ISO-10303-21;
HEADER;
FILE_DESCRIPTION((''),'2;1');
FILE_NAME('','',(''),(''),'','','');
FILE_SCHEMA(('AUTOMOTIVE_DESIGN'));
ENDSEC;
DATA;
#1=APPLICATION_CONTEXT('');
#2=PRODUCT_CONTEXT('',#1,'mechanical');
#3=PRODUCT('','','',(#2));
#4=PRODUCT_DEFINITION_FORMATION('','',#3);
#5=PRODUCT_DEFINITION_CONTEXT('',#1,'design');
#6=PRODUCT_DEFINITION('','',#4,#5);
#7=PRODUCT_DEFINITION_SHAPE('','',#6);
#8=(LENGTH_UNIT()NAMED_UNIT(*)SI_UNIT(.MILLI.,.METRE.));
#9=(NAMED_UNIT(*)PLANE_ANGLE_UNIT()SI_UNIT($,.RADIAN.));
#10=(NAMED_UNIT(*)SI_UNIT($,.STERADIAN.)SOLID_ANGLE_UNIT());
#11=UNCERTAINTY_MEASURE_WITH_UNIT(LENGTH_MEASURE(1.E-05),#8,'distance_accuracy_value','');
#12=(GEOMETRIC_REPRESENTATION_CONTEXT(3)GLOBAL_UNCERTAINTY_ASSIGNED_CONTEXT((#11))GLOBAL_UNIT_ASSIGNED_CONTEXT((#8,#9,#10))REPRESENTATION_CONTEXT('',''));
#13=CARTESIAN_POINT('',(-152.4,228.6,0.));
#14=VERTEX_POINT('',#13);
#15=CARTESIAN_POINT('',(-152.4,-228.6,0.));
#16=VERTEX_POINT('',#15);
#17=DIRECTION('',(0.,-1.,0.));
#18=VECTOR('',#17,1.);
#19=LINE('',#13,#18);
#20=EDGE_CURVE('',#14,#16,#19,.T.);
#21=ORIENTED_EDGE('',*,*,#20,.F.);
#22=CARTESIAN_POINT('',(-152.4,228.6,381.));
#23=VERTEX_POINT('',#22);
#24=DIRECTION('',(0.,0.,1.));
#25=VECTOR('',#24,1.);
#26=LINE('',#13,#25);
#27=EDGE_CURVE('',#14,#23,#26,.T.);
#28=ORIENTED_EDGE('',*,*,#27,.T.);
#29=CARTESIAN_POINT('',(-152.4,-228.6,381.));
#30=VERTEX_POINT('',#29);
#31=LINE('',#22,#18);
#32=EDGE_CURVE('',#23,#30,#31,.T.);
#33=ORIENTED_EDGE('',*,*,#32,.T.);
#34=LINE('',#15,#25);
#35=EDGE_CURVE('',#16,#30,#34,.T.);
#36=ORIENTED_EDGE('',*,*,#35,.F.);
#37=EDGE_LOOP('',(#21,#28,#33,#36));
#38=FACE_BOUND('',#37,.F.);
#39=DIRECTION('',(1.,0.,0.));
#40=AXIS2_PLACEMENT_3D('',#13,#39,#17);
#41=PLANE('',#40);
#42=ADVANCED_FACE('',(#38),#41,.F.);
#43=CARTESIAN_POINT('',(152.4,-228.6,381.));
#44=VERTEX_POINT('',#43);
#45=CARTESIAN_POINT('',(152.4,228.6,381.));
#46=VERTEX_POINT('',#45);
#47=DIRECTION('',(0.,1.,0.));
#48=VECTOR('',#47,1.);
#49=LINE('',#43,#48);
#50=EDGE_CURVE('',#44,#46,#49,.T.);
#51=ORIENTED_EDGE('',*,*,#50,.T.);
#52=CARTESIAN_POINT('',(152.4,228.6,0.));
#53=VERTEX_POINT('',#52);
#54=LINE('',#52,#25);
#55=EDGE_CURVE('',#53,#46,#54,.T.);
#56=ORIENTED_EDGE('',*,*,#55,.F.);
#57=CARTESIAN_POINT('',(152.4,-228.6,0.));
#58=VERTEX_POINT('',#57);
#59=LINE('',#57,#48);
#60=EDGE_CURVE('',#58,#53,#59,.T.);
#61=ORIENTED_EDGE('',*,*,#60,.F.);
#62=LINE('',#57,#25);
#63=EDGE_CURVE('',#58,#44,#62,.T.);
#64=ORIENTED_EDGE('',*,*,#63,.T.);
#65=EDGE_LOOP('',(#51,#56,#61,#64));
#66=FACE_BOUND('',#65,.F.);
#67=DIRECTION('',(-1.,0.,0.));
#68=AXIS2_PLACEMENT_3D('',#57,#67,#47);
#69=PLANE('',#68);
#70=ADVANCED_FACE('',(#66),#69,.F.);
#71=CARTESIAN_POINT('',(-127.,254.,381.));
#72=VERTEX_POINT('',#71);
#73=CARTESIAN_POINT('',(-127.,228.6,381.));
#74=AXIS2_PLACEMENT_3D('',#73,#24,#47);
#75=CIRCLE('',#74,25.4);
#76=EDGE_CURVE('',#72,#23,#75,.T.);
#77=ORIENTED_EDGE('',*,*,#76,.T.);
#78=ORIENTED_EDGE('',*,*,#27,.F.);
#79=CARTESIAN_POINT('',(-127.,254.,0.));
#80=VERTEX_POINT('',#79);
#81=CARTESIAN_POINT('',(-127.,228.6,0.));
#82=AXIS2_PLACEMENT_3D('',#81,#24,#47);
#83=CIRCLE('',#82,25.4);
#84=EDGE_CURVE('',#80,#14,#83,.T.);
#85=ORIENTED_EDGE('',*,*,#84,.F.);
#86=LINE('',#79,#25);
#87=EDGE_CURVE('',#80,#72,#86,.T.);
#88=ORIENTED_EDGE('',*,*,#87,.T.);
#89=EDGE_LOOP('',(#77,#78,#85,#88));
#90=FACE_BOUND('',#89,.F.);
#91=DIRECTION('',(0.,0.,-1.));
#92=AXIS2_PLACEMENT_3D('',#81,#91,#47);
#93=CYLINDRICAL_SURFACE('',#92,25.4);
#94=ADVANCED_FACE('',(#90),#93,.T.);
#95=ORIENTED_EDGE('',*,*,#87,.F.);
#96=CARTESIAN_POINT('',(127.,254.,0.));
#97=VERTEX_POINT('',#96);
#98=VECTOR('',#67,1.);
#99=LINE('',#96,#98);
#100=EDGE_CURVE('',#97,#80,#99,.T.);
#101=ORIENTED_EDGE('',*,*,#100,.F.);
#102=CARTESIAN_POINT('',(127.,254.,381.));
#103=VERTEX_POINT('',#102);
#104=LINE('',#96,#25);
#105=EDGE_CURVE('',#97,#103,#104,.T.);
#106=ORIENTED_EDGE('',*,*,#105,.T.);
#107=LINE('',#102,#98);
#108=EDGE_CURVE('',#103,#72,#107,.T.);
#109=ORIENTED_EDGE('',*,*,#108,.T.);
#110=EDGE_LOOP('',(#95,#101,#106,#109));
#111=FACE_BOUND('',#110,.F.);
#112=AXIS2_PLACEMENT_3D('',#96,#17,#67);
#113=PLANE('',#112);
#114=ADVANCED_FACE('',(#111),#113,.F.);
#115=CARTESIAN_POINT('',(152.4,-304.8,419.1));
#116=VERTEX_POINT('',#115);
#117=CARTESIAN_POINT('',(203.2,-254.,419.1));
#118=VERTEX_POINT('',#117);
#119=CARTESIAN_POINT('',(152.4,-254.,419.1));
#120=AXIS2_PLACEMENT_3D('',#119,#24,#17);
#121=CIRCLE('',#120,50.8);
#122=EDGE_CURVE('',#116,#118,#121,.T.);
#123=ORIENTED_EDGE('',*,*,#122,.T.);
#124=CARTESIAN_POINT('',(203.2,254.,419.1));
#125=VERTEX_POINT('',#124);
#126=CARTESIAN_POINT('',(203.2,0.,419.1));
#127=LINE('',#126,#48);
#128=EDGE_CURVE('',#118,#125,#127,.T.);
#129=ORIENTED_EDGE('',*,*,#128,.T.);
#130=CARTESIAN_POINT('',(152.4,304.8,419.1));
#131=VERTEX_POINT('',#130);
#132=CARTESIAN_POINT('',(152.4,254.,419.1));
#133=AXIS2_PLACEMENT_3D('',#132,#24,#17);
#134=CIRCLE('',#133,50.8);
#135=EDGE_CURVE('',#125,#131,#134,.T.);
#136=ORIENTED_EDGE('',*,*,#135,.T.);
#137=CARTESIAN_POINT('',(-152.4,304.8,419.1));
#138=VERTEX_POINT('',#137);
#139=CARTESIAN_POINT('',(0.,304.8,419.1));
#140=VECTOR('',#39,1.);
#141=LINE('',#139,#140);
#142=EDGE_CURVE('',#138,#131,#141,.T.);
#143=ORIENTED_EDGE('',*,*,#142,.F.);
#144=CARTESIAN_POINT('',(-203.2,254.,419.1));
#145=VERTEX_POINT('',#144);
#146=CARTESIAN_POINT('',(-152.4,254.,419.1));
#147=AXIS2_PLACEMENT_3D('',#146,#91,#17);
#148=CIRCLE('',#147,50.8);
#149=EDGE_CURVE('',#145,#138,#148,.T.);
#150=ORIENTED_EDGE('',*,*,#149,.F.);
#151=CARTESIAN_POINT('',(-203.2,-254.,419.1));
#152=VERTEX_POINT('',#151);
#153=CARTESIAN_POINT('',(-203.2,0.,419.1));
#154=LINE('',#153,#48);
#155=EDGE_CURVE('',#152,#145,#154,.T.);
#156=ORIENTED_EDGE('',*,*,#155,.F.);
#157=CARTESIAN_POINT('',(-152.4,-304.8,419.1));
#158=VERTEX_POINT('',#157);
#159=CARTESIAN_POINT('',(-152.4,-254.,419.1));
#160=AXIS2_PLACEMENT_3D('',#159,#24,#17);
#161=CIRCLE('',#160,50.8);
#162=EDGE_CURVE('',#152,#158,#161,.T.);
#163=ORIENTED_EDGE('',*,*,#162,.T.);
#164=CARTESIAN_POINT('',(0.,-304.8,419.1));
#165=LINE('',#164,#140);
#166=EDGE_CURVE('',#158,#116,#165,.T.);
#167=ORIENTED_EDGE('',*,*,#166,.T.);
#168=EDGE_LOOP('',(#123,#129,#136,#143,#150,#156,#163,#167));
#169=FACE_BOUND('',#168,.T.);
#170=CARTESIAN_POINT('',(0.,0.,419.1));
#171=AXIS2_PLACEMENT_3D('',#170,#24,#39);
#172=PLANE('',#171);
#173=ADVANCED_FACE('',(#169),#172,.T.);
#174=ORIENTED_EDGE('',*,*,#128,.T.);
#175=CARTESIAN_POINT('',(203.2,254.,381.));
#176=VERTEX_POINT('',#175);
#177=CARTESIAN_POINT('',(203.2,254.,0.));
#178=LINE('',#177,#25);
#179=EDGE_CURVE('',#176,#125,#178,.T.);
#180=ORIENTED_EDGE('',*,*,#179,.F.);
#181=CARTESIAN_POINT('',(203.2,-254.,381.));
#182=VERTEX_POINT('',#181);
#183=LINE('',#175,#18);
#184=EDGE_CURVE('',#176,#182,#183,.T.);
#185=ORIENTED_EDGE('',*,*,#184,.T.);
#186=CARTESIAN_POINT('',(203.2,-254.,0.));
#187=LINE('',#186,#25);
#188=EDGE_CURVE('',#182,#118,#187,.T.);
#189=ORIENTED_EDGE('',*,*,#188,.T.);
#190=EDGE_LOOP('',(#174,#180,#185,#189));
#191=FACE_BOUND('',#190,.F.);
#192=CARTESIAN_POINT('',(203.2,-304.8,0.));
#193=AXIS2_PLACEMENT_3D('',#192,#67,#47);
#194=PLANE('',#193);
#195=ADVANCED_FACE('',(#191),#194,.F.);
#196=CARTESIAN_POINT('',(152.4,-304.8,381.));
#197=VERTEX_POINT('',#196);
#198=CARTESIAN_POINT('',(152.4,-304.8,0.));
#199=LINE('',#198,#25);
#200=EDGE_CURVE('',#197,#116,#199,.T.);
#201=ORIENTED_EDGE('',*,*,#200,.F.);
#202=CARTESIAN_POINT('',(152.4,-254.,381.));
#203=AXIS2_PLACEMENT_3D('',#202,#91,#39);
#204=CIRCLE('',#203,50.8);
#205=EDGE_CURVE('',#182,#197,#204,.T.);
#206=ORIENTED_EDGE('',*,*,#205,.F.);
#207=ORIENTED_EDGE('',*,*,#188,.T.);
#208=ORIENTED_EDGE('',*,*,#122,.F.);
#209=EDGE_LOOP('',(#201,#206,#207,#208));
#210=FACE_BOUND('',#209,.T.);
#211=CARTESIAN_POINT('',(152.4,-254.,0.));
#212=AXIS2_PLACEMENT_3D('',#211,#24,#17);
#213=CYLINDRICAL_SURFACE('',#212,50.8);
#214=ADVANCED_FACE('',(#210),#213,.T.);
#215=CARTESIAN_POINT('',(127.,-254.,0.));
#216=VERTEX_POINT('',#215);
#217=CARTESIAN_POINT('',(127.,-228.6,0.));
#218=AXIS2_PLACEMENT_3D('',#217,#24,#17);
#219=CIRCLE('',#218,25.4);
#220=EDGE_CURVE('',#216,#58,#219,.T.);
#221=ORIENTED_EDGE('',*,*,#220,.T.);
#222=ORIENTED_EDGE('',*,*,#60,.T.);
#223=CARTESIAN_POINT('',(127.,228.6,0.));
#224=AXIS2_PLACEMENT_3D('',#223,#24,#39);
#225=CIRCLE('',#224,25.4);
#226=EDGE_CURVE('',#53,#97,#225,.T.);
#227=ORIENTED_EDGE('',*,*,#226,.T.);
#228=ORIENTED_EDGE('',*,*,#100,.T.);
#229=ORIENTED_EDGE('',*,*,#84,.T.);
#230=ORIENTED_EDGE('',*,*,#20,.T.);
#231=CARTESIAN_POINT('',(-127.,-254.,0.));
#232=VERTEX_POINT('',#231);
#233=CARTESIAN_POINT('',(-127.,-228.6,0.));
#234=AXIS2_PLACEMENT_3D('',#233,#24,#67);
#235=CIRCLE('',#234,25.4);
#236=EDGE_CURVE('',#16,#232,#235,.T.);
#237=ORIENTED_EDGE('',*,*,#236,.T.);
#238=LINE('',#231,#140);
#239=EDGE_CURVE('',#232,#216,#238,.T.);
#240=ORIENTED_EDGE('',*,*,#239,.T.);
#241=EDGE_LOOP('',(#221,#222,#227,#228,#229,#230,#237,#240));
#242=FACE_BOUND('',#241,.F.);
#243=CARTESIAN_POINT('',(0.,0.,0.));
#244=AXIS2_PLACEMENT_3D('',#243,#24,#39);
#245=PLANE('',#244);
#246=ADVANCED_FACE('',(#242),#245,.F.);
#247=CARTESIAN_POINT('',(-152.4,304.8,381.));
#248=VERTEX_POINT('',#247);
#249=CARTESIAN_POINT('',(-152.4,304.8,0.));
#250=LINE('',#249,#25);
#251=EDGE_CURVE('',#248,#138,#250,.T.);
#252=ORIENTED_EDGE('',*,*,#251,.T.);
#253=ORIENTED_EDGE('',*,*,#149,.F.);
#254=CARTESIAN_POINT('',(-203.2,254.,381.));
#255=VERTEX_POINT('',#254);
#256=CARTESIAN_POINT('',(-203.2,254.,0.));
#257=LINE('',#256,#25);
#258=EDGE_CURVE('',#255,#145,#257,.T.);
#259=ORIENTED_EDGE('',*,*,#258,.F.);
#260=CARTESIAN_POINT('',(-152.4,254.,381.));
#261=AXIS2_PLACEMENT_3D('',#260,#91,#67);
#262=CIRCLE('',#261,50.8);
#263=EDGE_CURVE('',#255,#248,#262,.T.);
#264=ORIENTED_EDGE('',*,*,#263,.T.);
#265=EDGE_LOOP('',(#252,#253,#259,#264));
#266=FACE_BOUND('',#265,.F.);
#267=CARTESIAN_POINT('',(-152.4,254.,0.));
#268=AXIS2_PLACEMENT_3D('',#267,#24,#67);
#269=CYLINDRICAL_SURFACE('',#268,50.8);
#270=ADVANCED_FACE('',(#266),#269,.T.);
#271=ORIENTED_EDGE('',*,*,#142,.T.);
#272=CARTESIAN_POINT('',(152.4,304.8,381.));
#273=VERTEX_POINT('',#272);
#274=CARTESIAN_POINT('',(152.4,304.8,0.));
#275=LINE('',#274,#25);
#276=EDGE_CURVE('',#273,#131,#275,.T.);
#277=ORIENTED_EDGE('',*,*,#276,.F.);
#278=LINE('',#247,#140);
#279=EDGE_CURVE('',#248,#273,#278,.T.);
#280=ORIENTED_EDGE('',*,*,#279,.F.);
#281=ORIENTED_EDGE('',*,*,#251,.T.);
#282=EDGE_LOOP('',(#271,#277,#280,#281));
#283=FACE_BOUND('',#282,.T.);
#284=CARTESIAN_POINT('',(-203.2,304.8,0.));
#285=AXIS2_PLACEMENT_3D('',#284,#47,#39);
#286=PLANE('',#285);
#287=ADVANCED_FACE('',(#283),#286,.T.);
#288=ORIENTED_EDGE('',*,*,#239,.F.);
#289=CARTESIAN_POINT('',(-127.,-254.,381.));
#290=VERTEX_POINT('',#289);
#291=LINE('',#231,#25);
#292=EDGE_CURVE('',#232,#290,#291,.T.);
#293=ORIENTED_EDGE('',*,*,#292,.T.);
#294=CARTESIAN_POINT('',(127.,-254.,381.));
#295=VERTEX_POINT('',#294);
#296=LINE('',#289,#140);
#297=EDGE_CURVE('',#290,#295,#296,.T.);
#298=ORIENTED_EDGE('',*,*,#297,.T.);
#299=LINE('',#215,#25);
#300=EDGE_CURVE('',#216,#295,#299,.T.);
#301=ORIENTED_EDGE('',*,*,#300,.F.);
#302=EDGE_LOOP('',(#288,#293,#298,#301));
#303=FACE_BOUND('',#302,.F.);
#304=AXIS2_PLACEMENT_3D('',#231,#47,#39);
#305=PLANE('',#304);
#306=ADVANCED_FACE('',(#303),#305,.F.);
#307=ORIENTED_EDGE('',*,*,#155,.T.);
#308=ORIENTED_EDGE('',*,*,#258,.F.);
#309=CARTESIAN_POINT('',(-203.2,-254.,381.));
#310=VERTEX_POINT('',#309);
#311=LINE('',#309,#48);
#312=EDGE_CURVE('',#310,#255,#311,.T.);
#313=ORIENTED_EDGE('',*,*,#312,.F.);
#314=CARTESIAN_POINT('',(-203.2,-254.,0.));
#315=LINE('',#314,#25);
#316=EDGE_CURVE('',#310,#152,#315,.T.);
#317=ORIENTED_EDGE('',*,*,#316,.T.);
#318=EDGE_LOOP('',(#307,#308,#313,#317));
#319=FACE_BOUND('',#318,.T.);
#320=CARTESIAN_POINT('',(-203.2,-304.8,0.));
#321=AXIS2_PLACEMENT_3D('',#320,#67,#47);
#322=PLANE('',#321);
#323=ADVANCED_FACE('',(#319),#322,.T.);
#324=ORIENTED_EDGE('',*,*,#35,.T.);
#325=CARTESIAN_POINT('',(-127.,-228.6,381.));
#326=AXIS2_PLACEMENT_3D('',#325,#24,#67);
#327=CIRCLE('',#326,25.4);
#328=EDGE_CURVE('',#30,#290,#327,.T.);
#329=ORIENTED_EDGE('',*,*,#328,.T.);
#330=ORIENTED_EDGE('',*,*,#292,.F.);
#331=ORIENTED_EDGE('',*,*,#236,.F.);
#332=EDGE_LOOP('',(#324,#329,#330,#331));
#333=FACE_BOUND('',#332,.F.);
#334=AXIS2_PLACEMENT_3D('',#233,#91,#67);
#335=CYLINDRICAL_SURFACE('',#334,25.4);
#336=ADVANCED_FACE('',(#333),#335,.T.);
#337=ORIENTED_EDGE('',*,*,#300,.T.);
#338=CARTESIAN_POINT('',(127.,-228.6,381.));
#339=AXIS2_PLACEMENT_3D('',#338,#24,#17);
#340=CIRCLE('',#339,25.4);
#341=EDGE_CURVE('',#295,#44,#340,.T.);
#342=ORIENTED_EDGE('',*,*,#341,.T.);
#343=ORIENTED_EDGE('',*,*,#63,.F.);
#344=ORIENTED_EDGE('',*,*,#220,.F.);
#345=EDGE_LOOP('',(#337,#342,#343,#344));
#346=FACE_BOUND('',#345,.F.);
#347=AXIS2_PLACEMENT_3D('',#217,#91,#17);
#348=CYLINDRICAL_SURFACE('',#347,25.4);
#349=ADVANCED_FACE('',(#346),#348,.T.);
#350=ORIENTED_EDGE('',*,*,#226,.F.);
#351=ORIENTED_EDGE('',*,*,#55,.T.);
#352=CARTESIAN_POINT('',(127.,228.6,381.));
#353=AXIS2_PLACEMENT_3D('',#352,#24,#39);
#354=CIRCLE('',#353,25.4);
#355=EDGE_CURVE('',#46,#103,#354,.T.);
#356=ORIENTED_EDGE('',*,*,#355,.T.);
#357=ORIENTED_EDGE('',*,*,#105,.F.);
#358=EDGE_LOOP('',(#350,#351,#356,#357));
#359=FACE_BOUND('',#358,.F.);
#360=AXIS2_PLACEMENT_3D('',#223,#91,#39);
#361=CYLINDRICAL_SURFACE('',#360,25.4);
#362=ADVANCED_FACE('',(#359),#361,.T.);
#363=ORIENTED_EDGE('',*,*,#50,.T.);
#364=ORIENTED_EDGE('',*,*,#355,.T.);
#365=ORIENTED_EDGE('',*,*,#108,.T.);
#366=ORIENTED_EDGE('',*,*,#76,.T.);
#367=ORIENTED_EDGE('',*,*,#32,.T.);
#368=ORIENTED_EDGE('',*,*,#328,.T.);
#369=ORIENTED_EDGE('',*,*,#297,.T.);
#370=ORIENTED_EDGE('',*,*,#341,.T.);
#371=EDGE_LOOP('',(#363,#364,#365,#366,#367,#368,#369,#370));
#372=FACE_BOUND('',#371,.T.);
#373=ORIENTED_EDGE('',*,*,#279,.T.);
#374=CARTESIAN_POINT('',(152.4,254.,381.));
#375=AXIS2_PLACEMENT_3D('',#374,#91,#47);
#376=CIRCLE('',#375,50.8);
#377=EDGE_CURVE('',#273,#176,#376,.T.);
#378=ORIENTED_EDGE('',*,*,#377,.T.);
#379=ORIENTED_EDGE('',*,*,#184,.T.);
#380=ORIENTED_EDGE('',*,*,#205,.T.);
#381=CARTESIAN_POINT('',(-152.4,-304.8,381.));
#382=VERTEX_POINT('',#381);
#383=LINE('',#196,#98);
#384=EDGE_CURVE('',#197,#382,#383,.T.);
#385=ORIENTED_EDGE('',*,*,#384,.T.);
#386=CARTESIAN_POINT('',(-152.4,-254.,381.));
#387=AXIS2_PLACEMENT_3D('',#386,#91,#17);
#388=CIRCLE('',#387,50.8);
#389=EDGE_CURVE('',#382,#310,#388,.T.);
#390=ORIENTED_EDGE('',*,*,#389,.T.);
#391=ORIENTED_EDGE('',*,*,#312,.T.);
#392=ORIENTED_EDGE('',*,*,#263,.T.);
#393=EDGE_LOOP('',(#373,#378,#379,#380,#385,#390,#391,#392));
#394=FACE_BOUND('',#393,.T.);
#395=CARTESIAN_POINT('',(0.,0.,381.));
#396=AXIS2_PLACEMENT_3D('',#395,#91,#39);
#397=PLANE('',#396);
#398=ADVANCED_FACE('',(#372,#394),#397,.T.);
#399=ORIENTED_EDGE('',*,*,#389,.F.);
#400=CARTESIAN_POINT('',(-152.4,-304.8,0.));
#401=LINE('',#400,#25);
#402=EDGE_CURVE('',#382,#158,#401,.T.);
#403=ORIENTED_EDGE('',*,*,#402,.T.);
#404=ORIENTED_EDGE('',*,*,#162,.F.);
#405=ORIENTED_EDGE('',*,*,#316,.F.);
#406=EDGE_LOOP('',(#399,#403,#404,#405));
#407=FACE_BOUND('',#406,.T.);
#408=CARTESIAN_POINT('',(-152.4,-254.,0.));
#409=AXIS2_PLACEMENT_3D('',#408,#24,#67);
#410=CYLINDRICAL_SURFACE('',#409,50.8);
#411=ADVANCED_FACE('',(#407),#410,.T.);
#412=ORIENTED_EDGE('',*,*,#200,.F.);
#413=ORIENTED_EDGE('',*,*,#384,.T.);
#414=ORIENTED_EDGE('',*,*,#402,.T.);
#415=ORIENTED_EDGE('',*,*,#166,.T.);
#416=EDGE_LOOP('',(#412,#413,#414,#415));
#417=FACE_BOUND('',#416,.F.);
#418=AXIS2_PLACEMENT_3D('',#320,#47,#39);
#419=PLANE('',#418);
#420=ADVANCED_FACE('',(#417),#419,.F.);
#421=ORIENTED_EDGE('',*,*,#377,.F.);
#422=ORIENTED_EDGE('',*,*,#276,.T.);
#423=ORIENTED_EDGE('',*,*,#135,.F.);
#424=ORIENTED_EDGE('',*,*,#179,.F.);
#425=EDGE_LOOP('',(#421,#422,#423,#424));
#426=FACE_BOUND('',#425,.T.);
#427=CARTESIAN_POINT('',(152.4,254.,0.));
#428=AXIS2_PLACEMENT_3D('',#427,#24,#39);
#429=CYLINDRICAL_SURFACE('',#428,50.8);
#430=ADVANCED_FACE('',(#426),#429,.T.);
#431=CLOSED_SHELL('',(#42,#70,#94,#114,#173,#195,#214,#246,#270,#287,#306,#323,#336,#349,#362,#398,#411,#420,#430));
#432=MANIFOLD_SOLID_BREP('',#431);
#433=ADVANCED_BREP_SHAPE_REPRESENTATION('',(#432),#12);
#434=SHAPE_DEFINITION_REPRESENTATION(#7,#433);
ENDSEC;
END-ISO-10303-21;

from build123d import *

# Parameters (mm, degrees)
F0_W     = 406.4
F0_H     = 609.6
F1_DEPTH = 419.1
F2_R     = 50.8
F4_DEPTH = 381


with BuildPart() as f1:
    # F0 (on Top) → F1 (new body)
    with BuildSketch(Plane.XY):
        Rectangle(F0_W, F0_H)
    extrude(amount=F1_DEPTH)

    # F2
    f2_edges = [f1.edges().sort_by_distance(p)[0] for p in [
        (-203.2, 304.8, 209.55),
        (203.2, 304.8, 209.55),
        (-203.2, -304.8, 209.55),
        (203.2, -304.8, 209.55),
    ]]
    fillet(f2_edges, radius=F2_R)

    # F3 (on face) → F4 (cut)
    with BuildSketch(Plane(origin=(0, 0, 0), x_dir=(1, 0, 0), z_dir=(0, 0, -1))):
        with BuildLine():
            ThreePointArc((152.4, -304.8), (188.3210244843, -289.9210244843), (203.2, -254))
            Line((203.2, -254), (203.2, 254))
            ThreePointArc((203.2, 254), (188.3210244843, 289.9210244843), (152.4, 304.8))
            Line((152.4, 304.8), (-152.4, 304.8))
            ThreePointArc((-152.4, 304.8), (-188.3210244843, 289.9210244843), (-203.2, 254))
            Line((-203.2, 254), (-203.2, -254))
            ThreePointArc((-203.2, -254), (-188.3210244843, -289.9210244843), (-152.4, -304.8))
            Line((-152.4, -304.8), (152.4, -304.8))
        make_face()
        with BuildLine():
            Line((-127, 254), (127, 254))
            ThreePointArc((127, 254), (144.9605122421, 246.5605122421), (152.4, 228.6))
            Line((152.4, 228.6), (152.4, -228.6))
            ThreePointArc((152.4, -228.6), (144.9605122421, -246.5605122421), (127, -254))
            Line((127, -254), (-127, -254))
            ThreePointArc((-127, -254), (-144.9605122421, -246.5605122421), (-152.4, -228.6))
            Line((-152.4, -228.6), (-152.4, 228.6))
            ThreePointArc((-152.4, 228.6), (-144.9605122421, 246.5605122421), (-127, 254))
        make_face(mode=Mode.SUBTRACT)
    extrude(amount=-F4_DEPTH, mode=Mode.SUBTRACT)


solid = f1.part
